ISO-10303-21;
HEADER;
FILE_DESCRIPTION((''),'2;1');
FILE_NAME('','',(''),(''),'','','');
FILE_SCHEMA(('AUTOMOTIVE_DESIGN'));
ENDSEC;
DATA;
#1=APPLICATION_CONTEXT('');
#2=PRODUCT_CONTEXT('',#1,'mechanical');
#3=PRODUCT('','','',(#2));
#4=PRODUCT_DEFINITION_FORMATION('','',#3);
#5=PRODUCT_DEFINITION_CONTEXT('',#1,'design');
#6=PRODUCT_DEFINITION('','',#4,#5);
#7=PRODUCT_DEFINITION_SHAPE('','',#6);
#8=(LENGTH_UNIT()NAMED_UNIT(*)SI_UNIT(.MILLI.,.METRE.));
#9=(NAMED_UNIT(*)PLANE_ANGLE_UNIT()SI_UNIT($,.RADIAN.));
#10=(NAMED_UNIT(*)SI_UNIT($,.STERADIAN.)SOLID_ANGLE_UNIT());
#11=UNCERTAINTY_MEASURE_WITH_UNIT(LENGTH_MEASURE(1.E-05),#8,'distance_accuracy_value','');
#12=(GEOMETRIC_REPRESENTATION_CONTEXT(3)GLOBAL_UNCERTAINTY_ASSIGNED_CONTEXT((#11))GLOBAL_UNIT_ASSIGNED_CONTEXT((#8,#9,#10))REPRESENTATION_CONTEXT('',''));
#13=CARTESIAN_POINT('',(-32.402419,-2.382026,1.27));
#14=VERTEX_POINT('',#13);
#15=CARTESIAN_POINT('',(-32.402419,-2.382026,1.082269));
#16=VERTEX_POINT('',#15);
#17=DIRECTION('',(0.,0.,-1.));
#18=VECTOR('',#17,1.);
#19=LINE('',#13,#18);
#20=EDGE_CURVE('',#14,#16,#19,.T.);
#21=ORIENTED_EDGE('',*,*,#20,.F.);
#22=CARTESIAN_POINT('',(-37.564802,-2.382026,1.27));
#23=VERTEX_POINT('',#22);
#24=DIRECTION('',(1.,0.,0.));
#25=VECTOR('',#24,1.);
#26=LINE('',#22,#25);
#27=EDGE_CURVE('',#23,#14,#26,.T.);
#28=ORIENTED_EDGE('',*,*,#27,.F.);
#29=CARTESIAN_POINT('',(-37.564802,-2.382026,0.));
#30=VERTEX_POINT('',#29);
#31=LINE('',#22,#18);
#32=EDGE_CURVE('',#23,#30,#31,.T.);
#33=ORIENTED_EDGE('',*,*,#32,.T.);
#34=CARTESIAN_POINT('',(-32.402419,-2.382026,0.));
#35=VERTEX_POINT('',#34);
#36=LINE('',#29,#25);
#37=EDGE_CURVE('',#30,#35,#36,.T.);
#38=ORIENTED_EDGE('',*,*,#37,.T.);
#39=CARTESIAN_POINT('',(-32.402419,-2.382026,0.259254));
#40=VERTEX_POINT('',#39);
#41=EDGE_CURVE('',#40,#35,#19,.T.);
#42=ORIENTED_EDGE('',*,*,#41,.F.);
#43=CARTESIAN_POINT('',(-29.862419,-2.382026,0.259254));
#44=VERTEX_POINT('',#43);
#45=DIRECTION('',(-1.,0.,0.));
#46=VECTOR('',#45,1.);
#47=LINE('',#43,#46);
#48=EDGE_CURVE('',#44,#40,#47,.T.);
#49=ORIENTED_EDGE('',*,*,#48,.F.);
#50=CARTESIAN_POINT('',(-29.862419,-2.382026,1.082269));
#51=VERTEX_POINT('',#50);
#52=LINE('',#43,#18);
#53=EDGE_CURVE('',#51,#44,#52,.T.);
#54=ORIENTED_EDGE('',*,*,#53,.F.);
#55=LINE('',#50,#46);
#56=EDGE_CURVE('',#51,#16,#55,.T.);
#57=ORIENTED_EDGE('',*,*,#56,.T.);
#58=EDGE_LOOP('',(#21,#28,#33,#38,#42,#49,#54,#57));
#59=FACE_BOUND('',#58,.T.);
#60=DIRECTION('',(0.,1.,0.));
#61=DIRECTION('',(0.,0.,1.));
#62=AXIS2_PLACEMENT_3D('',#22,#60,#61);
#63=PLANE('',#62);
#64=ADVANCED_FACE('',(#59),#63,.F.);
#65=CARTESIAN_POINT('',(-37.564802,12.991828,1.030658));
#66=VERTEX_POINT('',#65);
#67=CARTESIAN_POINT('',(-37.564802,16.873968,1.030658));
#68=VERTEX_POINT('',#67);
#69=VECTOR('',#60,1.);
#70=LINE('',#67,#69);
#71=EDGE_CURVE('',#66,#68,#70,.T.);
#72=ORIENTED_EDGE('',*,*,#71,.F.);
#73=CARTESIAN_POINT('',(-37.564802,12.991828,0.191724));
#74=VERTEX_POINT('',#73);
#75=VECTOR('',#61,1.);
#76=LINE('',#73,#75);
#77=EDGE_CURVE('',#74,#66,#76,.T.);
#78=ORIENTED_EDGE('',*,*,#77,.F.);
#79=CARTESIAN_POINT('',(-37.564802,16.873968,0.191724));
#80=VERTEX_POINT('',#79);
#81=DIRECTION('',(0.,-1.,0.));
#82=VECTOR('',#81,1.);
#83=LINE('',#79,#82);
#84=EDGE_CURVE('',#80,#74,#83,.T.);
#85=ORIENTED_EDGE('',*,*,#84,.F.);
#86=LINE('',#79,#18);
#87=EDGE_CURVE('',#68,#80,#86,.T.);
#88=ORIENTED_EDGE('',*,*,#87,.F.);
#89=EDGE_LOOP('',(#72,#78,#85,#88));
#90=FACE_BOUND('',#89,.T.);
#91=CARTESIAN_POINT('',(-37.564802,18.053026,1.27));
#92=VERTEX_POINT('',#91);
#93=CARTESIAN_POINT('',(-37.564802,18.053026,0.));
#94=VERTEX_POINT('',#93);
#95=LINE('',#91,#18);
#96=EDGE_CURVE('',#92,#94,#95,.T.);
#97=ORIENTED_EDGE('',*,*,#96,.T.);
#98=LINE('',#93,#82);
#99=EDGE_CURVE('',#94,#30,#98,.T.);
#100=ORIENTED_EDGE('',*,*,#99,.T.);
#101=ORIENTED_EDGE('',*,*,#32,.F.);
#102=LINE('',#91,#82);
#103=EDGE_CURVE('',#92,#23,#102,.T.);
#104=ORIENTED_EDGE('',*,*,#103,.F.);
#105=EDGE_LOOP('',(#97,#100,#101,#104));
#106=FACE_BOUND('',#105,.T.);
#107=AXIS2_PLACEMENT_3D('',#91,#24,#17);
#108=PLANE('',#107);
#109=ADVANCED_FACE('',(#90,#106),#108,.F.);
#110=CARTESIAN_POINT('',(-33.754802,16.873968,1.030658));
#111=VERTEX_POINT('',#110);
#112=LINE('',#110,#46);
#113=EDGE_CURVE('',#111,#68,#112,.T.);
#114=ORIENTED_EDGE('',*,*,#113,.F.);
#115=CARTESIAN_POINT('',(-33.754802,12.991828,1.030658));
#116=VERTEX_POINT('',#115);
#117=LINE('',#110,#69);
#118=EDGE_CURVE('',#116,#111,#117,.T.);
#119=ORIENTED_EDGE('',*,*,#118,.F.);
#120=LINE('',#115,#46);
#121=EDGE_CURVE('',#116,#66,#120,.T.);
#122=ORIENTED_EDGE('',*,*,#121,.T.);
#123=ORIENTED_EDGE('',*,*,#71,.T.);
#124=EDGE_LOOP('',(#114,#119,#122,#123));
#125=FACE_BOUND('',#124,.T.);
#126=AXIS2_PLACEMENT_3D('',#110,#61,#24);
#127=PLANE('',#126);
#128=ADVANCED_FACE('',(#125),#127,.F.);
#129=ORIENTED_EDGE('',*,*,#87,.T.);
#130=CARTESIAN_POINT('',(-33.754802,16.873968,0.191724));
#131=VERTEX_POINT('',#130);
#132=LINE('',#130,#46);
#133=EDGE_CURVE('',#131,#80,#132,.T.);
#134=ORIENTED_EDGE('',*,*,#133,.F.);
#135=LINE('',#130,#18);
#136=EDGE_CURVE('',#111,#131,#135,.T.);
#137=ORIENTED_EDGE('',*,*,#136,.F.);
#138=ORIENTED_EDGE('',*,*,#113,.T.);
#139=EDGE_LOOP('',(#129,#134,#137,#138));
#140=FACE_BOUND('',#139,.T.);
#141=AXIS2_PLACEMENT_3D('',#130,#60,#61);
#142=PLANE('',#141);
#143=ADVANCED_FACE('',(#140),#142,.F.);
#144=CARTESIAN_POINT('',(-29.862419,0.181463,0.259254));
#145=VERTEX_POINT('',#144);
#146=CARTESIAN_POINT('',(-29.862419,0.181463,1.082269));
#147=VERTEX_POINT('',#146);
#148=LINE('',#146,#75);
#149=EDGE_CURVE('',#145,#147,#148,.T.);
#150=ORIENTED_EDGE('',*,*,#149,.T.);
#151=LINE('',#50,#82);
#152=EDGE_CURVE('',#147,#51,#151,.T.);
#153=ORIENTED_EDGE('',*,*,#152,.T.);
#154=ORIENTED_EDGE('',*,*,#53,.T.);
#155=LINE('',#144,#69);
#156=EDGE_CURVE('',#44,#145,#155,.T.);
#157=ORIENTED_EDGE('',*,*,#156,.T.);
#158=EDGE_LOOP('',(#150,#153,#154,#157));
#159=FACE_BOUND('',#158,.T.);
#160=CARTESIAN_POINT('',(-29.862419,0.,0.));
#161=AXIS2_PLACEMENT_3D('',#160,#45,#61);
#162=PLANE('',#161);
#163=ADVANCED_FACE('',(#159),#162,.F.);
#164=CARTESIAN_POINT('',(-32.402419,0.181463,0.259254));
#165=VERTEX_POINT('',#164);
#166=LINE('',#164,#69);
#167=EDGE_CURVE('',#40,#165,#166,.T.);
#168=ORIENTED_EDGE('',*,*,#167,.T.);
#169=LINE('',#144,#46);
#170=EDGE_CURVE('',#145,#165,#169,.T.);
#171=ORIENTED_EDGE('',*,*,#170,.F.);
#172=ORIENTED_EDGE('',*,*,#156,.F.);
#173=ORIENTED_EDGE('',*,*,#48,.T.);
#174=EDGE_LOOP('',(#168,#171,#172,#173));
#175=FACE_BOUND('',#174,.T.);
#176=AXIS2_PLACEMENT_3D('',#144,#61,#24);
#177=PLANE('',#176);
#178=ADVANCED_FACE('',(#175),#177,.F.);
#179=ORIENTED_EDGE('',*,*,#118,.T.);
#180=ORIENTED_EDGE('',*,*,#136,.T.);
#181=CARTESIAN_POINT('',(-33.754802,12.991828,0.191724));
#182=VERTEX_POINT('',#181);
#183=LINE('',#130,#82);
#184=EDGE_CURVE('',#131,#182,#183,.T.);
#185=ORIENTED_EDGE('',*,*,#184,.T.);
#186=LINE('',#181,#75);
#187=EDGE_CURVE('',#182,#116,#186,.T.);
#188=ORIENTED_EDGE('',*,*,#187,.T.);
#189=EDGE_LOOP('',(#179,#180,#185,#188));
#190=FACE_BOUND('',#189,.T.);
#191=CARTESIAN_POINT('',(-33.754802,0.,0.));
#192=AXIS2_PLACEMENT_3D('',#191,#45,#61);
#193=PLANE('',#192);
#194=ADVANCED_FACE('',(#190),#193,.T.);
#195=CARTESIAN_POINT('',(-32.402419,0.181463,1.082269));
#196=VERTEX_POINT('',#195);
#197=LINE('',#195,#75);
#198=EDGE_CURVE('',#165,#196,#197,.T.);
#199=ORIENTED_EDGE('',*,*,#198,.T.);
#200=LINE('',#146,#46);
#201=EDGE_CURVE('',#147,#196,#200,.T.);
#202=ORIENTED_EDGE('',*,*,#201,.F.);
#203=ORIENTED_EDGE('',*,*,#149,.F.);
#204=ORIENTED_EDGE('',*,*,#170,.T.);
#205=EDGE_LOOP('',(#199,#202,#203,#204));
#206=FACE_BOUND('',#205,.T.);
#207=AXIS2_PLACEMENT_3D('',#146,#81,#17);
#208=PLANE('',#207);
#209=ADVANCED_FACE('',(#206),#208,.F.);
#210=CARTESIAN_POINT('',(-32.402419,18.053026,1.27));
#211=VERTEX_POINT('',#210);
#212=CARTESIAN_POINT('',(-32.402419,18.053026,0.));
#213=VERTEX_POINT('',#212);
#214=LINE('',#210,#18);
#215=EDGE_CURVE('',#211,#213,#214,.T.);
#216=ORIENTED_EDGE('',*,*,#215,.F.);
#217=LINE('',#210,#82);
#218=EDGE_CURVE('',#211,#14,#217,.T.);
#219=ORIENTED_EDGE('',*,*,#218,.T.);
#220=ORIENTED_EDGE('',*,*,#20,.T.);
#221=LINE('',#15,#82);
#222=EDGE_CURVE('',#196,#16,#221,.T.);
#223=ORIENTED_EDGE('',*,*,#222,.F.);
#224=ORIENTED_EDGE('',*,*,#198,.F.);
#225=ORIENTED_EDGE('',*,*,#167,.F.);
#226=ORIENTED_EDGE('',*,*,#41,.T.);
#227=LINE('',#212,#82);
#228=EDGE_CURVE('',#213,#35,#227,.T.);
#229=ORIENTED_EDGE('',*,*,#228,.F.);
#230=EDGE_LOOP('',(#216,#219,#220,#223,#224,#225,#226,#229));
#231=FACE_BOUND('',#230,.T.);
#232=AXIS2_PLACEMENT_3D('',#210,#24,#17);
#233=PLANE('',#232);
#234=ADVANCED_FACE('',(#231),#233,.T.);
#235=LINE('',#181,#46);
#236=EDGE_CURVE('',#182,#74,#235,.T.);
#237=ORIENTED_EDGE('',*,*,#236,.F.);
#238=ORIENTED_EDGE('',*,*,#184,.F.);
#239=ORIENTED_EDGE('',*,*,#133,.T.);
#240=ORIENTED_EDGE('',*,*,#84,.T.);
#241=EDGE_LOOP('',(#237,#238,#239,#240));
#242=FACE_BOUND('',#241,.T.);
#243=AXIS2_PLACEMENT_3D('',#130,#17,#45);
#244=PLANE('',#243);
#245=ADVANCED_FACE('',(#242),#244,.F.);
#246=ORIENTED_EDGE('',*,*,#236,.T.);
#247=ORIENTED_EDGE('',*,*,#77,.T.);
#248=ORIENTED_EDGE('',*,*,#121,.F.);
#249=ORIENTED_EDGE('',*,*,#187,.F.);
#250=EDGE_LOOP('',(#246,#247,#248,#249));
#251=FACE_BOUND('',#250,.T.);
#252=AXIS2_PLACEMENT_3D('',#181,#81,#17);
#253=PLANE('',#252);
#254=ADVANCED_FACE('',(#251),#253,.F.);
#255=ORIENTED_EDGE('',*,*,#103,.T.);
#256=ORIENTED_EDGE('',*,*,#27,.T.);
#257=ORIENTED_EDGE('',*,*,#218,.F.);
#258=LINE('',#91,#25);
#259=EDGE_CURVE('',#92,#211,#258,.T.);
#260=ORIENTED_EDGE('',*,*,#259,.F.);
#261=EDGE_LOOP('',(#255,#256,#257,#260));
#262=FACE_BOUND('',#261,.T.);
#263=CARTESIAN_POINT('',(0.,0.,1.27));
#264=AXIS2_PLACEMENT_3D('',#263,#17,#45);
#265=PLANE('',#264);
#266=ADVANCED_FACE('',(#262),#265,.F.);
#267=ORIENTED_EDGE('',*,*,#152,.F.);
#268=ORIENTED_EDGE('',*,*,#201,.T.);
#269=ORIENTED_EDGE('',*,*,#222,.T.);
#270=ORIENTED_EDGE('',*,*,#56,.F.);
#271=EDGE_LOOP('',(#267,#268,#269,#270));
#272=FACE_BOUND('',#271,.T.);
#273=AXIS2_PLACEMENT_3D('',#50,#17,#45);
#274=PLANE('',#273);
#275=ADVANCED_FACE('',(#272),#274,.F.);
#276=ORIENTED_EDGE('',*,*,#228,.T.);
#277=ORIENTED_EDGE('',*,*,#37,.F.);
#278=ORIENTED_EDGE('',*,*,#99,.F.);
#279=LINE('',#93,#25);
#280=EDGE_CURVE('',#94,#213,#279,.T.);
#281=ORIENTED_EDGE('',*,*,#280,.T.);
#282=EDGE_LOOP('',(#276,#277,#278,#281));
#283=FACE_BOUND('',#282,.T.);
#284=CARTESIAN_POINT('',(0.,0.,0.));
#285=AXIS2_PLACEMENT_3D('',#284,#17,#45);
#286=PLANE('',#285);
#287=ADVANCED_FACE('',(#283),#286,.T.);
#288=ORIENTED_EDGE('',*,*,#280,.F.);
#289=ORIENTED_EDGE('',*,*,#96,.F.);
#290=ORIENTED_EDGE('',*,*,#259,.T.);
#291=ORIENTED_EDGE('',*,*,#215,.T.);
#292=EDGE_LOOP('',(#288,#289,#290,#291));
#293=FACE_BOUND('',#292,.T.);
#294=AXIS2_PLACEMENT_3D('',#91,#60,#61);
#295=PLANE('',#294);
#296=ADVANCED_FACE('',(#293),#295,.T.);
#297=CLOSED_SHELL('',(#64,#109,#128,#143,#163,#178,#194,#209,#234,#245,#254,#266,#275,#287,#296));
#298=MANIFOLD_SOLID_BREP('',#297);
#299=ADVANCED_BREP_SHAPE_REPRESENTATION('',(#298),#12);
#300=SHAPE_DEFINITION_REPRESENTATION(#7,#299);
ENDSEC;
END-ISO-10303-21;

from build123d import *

# Parameters (mm, degrees)
SKETCH1_W           = 5.162383308
SKETCH1_H           = 20.435052184
BOSS_EXTRUDE1_DEPTH = 1.27
SKETCH2_W           = 0.838933851
SKETCH2_H           = 3.882140463
CUT_EXTRUDE1_DEPTH  = 3.81
SKETCH3_W           = 0.823014711
SKETCH3_H           = 2.56348928
BOSS_EXTRUDE2_DEPTH = 2.54


with BuildPart() as part:
    # Sketch1 → Boss-Extrude1 (new body)
    with BuildSketch(Plane.XY):
        with Locations((-34.98361032, 7.835499756)):
            Rectangle(SKETCH1_W, SKETCH1_H)
    extrude(amount=BOSS_EXTRUDE1_DEPTH)

    # Sketch2 → Cut-Extrude1 (cut)
    with BuildSketch(Plane.ZY.offset(37.564801974)):
        with Locations((0.611191145, 14.932897959)):
            Rectangle(SKETCH2_W, SKETCH2_H)
    extrude(amount=-CUT_EXTRUDE1_DEPTH, mode=Mode.SUBTRACT)

    # Sketch3 → Boss-Extrude2 (add)
    with BuildSketch(Plane(origin=(-32.402418666, 0, 0), x_dir=(0, 0, -1), z_dir=(1, 0, 0))):
        with Locations((-0.670761293, -1.100281696)):
            Rectangle(SKETCH3_W, SKETCH3_H)
    extrude(amount=BOSS_EXTRUDE2_DEPTH)


solid = part.part
